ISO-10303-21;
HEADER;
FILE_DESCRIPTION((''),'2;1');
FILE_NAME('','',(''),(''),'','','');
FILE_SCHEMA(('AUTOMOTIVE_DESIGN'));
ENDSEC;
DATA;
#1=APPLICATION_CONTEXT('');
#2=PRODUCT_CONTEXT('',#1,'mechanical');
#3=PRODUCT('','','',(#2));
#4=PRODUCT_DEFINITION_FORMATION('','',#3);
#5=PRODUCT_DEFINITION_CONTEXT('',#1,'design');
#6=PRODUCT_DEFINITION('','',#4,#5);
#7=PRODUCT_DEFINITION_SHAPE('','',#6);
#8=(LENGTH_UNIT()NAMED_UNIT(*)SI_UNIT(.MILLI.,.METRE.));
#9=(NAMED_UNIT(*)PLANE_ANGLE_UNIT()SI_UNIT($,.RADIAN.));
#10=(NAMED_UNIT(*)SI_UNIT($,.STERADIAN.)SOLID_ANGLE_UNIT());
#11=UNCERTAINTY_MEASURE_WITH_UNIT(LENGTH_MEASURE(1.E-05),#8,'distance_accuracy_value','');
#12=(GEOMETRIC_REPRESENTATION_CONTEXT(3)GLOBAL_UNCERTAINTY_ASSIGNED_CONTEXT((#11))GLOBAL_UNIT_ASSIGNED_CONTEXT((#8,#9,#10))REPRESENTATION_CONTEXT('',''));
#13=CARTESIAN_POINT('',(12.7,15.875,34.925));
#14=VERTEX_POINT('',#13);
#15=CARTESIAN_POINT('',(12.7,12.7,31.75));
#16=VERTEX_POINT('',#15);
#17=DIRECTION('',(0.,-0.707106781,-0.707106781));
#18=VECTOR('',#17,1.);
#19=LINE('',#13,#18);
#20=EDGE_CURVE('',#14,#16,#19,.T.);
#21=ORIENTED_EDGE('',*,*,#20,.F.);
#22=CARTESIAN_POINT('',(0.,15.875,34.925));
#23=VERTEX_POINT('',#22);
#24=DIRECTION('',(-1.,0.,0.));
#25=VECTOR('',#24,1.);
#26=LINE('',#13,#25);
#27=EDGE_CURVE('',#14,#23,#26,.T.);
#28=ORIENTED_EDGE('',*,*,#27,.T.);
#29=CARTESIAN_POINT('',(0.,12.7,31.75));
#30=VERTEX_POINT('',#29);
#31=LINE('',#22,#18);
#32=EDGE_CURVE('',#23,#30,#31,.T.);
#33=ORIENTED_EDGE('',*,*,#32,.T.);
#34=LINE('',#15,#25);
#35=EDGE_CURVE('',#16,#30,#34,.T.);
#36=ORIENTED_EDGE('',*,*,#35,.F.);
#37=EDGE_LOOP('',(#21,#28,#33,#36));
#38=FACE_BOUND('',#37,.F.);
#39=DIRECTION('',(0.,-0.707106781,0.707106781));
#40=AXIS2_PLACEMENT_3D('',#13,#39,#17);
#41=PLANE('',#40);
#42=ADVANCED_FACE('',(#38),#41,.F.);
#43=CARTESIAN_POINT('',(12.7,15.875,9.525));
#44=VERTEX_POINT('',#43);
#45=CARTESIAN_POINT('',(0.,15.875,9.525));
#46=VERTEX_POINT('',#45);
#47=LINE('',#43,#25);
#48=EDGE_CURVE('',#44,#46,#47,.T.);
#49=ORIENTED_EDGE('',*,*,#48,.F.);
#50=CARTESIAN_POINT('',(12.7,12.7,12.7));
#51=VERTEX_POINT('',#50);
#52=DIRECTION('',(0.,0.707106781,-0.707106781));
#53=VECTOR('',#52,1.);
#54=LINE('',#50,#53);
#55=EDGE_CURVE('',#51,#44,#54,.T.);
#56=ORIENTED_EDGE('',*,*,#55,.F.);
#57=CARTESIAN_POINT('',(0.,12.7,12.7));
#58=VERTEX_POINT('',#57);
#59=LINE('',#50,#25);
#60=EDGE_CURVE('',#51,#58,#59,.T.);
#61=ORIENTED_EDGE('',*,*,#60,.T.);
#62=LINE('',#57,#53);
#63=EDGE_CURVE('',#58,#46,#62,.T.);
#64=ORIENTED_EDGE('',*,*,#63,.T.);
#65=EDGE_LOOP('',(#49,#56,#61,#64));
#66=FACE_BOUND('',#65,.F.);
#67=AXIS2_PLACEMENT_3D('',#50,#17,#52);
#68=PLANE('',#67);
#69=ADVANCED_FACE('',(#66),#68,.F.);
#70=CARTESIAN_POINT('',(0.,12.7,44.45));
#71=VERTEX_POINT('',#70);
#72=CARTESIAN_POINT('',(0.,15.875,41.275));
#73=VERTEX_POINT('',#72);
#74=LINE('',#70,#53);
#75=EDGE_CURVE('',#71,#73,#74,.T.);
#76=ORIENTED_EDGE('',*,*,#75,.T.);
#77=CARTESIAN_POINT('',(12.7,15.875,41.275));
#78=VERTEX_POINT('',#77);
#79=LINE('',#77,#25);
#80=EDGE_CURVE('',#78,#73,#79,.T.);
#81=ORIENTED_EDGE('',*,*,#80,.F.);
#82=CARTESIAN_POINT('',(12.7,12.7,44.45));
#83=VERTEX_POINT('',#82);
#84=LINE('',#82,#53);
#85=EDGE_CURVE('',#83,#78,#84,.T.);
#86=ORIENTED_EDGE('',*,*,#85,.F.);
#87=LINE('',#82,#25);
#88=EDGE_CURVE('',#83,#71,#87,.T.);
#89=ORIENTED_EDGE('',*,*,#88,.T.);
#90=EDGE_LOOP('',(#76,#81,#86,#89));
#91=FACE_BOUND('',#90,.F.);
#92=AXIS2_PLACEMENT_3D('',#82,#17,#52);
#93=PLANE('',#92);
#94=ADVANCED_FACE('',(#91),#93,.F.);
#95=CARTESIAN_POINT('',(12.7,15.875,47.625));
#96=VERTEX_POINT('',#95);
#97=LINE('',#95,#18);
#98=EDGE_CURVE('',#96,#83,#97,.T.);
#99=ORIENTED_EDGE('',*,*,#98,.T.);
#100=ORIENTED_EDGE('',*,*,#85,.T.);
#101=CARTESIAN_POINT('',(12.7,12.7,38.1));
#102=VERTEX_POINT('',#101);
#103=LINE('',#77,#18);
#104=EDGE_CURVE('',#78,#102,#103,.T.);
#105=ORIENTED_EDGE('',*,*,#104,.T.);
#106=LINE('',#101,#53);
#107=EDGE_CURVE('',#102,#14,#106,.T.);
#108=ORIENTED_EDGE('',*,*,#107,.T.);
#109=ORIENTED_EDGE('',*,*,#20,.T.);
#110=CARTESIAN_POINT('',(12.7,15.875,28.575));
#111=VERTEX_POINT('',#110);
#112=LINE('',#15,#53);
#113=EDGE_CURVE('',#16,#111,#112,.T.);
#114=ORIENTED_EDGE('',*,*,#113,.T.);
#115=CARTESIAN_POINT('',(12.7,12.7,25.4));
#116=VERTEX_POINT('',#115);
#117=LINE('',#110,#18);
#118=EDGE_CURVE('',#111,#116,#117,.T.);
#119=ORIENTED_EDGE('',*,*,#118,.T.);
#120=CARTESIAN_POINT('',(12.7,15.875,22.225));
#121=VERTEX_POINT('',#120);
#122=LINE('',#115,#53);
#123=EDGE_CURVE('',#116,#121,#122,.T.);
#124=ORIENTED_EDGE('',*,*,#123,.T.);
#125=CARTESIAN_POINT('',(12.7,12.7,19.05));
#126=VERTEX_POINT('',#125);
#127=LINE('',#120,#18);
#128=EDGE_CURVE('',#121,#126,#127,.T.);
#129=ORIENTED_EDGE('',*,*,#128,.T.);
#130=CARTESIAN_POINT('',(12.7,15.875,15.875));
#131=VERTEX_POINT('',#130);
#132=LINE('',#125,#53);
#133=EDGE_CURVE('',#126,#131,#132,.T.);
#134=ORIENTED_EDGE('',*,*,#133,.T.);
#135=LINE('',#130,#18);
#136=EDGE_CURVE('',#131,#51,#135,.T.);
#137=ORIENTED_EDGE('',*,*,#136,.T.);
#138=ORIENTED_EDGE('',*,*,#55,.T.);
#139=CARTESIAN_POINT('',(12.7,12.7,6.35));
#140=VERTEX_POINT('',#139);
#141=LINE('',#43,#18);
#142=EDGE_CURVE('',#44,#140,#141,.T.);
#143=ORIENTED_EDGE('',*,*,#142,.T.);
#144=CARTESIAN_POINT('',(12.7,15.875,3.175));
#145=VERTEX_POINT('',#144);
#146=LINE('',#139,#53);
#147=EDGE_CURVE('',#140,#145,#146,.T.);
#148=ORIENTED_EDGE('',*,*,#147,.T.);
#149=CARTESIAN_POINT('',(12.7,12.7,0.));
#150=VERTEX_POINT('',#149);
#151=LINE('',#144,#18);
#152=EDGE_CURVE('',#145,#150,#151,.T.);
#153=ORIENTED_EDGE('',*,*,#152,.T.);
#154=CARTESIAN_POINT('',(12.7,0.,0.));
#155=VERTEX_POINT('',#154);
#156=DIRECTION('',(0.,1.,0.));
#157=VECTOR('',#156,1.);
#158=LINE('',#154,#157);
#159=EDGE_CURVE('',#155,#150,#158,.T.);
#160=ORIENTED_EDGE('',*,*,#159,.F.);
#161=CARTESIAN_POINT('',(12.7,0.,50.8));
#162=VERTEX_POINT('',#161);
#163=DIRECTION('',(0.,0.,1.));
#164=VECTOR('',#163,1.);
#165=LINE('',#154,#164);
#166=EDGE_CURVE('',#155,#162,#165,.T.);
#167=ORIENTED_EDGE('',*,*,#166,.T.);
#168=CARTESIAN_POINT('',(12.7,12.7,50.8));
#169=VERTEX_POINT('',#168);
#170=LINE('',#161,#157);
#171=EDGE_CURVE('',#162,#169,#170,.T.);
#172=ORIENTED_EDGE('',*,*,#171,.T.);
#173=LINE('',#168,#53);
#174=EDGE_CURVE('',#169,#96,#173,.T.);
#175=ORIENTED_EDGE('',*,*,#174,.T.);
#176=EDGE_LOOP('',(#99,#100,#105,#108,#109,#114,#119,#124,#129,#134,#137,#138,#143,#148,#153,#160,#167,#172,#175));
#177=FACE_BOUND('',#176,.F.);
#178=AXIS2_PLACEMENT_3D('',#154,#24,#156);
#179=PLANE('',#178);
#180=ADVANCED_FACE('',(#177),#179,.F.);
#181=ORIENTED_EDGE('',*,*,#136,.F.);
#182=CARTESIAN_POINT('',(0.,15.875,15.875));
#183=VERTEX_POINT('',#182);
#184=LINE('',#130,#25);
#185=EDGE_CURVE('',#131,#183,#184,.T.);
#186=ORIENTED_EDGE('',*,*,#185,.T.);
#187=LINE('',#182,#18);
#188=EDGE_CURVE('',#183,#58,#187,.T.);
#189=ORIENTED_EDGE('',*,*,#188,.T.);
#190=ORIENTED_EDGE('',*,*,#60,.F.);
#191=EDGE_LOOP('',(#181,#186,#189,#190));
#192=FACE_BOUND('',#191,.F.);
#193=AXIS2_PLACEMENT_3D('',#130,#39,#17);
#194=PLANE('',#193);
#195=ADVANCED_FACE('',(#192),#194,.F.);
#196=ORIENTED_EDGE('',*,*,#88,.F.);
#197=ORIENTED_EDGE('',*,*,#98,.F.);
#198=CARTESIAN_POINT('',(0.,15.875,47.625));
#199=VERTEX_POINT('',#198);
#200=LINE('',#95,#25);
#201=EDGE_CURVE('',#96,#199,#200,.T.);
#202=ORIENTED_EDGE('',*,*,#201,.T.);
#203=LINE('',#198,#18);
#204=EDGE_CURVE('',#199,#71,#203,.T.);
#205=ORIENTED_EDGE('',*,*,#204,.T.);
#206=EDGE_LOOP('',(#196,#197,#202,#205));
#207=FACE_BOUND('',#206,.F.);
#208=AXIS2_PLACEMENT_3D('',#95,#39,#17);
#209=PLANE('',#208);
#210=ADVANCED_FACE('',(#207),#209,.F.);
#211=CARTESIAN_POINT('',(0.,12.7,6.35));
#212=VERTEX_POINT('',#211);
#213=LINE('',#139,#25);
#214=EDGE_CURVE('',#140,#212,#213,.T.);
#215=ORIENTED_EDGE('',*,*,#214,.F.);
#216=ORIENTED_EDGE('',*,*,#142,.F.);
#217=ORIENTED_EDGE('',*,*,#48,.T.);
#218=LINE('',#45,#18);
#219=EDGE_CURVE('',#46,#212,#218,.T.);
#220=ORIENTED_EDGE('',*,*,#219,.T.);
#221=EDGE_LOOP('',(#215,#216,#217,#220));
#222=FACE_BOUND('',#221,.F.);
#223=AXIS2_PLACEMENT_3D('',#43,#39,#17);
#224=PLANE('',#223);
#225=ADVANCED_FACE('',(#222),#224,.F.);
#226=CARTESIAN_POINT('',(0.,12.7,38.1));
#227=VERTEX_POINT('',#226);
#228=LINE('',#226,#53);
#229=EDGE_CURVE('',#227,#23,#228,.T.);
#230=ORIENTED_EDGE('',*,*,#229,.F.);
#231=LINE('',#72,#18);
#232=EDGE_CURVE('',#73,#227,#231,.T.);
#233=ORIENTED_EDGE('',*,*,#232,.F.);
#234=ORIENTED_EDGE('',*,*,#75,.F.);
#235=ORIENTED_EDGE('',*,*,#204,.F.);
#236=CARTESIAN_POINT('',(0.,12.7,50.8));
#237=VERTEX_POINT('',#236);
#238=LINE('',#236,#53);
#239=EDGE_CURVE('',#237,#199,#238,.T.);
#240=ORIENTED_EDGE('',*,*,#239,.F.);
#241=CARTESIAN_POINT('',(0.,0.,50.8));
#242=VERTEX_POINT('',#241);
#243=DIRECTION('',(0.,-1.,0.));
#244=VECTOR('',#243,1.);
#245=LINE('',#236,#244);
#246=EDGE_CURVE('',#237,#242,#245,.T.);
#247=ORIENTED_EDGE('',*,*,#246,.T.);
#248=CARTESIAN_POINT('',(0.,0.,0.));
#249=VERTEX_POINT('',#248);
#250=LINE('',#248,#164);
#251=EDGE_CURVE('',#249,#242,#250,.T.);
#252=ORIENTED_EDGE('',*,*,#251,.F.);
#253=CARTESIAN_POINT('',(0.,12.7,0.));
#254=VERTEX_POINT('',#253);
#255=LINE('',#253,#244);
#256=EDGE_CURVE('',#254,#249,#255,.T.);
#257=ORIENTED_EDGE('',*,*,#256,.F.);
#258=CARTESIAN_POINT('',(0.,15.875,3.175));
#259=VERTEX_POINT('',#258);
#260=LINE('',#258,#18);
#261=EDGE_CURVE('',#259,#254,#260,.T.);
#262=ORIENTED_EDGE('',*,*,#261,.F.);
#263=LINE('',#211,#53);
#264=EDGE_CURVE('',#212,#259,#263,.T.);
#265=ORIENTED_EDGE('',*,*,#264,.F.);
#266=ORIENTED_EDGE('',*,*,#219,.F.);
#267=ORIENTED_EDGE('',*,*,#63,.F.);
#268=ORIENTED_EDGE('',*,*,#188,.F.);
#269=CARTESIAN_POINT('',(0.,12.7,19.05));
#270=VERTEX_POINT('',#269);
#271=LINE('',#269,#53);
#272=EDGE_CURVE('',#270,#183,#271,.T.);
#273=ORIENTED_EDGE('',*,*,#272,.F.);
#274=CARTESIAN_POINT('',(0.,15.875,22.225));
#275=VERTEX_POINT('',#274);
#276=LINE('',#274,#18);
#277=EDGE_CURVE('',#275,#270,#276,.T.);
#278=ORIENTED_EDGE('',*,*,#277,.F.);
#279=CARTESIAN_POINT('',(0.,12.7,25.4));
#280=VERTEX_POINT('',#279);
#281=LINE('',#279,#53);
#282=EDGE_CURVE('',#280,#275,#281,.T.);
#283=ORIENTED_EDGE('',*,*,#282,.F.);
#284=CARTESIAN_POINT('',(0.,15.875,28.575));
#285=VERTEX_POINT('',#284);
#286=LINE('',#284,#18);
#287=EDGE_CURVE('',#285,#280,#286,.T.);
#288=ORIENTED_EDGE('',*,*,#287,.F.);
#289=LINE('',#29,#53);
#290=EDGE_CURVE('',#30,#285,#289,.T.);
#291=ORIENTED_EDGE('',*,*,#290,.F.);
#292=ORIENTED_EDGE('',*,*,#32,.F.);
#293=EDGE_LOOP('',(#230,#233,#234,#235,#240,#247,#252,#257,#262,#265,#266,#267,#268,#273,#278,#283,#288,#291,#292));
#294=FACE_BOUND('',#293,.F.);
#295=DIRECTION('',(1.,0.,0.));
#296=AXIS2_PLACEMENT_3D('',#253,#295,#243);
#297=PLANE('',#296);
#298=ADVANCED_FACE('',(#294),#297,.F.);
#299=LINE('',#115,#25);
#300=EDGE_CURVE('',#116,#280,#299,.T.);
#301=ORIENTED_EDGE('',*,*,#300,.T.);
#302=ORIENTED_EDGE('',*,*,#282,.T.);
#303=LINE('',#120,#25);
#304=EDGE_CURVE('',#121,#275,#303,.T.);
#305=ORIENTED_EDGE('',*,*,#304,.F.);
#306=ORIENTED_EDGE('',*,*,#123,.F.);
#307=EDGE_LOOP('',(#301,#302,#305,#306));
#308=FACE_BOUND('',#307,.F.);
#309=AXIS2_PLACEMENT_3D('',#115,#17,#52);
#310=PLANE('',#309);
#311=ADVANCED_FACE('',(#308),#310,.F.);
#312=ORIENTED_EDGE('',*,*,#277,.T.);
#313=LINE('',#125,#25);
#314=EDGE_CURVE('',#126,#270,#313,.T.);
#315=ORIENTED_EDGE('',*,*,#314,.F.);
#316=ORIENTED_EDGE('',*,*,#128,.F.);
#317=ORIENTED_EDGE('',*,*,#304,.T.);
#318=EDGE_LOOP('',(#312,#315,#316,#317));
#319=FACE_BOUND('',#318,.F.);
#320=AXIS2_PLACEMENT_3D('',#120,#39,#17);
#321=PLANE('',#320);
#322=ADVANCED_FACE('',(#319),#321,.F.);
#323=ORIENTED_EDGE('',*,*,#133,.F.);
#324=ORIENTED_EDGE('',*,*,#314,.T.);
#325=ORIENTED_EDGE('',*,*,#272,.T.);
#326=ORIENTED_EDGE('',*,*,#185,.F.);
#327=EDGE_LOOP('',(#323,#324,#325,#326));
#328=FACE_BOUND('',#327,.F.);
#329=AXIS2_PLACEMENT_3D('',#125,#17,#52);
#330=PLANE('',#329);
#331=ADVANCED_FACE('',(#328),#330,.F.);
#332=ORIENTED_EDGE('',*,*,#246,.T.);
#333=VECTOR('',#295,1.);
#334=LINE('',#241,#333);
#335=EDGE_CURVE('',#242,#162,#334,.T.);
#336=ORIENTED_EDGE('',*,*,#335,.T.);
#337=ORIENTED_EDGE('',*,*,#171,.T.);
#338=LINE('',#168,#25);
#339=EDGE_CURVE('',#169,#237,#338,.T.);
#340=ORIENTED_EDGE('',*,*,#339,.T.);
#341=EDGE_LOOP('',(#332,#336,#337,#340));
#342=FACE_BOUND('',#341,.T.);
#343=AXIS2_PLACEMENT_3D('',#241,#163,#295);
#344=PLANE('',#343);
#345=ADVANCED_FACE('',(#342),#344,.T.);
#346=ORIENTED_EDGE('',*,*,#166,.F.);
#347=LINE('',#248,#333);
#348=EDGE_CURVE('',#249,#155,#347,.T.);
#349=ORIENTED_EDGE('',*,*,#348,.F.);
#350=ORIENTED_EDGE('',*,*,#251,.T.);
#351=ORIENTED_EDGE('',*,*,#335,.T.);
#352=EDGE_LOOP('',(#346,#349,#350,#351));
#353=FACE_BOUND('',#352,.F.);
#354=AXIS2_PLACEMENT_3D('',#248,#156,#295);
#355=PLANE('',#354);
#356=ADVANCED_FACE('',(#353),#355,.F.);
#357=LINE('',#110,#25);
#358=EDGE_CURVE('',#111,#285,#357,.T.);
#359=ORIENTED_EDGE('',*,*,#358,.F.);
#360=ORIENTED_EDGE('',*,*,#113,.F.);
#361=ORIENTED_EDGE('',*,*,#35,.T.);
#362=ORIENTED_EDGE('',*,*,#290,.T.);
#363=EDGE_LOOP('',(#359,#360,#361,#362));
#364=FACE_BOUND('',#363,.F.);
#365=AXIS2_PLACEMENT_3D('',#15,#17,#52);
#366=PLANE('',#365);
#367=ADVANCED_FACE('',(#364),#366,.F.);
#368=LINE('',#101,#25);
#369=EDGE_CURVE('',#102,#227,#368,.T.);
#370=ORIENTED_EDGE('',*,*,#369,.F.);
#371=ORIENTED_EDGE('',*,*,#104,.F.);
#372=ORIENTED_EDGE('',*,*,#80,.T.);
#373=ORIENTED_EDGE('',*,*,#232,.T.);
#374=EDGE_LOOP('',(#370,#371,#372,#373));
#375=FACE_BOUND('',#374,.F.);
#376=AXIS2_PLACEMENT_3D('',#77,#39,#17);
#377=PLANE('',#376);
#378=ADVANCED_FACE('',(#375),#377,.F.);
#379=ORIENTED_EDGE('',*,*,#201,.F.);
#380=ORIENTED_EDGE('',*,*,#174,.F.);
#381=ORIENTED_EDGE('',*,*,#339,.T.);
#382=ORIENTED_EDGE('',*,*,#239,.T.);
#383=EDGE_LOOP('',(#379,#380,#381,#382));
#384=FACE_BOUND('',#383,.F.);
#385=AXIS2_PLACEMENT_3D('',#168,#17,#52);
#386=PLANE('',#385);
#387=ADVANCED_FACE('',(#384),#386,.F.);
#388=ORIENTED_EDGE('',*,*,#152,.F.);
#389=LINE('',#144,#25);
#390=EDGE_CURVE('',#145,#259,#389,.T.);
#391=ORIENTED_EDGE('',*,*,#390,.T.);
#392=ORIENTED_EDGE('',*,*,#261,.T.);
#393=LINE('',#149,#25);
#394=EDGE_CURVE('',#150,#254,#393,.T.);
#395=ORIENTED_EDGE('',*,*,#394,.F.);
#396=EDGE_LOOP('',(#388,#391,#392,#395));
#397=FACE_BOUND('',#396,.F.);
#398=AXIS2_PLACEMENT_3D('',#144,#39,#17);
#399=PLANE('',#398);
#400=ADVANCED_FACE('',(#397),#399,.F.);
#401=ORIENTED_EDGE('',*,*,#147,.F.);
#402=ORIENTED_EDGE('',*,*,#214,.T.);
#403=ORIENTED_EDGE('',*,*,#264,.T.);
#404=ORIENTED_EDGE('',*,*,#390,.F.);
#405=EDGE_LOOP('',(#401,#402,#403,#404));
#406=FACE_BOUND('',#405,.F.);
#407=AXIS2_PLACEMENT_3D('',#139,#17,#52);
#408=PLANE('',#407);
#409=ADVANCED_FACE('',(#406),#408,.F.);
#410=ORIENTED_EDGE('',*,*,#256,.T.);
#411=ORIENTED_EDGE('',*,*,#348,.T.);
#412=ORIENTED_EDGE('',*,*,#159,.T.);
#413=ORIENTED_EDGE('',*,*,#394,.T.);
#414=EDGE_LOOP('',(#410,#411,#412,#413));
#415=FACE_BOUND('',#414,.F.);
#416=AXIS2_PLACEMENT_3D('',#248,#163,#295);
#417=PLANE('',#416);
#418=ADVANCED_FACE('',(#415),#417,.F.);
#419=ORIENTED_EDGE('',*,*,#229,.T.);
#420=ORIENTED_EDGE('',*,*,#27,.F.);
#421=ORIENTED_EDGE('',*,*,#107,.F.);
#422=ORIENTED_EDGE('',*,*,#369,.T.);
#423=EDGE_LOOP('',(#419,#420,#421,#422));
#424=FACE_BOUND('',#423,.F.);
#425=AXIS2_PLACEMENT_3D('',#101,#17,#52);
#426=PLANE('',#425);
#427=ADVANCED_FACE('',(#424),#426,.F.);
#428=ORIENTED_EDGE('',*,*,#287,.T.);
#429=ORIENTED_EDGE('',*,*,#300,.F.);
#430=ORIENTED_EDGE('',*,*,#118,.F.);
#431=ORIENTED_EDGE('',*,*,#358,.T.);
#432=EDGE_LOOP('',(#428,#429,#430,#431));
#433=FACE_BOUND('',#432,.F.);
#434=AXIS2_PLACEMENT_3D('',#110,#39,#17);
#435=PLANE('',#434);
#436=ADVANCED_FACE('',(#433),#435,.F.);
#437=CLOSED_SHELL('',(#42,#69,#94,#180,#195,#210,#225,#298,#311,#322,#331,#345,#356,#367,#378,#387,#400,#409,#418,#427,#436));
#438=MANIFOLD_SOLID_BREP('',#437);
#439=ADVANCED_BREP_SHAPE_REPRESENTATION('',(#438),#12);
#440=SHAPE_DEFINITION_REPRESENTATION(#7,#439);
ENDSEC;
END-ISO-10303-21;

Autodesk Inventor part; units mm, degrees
ref_plane "YZ Plane" through (0, 0, 0) normal (1, 0, 0) x (0, 1, 0)
ref_plane "XZ Plane" through (0, 0, 0) normal (0, 1, 0) x (-1, 0, 0)
ref_plane "XY Plane" through (0, 0, 0) normal (0, 0, 1) x (1, 0, 0)
sketch "Sketch1" plane through (0, 0, 0) normal (0, 0, 1) x (1, 0, 0)
  line L0 (0, 0) -> (12.7, 0)
  line L1 (12.7, 0) -> (12.7, 12.7)
  line L2 (12.7, 12.7) -> (0, 12.7)
  line L3 (0, 12.7) -> (0, 0)
  dimension "d0" = 12.7
  dimension "d1" = 12.7
extrude "Extrusion1" add sketch "Sketch1" along normal blind 50.8
sketch "Sketch2" plane through (12.7, 0, 0) normal (1, 0, 0) x (0, 0, -1)
  line L0 (-50.8, 0) -> (-50.8, 12.7) projected
  line L1 (-50.8, 12.7) -> (-44.45, 12.7)
  line L2 (0, 12.7) -> (-50.8, 12.7) projected
  line L3 (-50.8, 12.7) -> (-47.625, 15.875)
  line L4 (-50.8, 12.7) -> (-46.3099, 12.7) construction
  line L5 (-47.625, 15.875) -> (-44.45, 12.7)
  line L6 (-44.45, 12.7) -> (-41.275, 15.875)
  line L7 (-41.275, 15.875) -> (-38.1, 12.7)
  line L8 (-44.45, 12.7) -> (-38.1, 12.7)
  line L9 (-38.1, 12.7) -> (-34.925, 15.875)
  line L10 (-34.925, 15.875) -> (-31.75, 12.7)
  line L11 (-38.1, 12.7) -> (-31.75, 12.7)
  line L12 (-31.75, 12.7) -> (-28.575, 15.875)
  line L13 (-28.575, 15.875) -> (-25.4, 12.7)
  line L14 (-31.75, 12.7) -> (-25.4, 12.7)
  line L15 (-25.4, 12.7) -> (-22.225, 15.875)
  line L16 (-22.225, 15.875) -> (-19.05, 12.7)
  line L17 (-25.4, 12.7) -> (-19.05, 12.7)
  line L18 (-19.05, 12.7) -> (-15.875, 15.875)
  line L19 (-15.875, 15.875) -> (-12.7, 12.7)
  line L20 (-19.05, 12.7) -> (-12.7, 12.7)
  line L21 (-12.7, 12.7) -> (-9.525, 15.875)
  line L22 (-9.525, 15.875) -> (-6.35, 12.7)
  line L23 (-12.7, 12.7) -> (-6.35, 12.7)
  line L24 (-6.35, 12.7) -> (-3.175, 15.875)
  line L25 (-3.175, 15.875) -> (0, 12.7)
  line L26 (-6.35, 12.7) -> (0, 12.7)
  line L27 (-47.625, 15.875) -> (-47.625, 12.7) construction
  point P0 (0, 0)
  dimension "d8" = 45
  dimension "d11" = 6.35
  dimension "d18" = 3.175
extrude "Extrusion2" add sketch "Sketch2" against normal blind 12.7
properties part number "Finger Rack"
